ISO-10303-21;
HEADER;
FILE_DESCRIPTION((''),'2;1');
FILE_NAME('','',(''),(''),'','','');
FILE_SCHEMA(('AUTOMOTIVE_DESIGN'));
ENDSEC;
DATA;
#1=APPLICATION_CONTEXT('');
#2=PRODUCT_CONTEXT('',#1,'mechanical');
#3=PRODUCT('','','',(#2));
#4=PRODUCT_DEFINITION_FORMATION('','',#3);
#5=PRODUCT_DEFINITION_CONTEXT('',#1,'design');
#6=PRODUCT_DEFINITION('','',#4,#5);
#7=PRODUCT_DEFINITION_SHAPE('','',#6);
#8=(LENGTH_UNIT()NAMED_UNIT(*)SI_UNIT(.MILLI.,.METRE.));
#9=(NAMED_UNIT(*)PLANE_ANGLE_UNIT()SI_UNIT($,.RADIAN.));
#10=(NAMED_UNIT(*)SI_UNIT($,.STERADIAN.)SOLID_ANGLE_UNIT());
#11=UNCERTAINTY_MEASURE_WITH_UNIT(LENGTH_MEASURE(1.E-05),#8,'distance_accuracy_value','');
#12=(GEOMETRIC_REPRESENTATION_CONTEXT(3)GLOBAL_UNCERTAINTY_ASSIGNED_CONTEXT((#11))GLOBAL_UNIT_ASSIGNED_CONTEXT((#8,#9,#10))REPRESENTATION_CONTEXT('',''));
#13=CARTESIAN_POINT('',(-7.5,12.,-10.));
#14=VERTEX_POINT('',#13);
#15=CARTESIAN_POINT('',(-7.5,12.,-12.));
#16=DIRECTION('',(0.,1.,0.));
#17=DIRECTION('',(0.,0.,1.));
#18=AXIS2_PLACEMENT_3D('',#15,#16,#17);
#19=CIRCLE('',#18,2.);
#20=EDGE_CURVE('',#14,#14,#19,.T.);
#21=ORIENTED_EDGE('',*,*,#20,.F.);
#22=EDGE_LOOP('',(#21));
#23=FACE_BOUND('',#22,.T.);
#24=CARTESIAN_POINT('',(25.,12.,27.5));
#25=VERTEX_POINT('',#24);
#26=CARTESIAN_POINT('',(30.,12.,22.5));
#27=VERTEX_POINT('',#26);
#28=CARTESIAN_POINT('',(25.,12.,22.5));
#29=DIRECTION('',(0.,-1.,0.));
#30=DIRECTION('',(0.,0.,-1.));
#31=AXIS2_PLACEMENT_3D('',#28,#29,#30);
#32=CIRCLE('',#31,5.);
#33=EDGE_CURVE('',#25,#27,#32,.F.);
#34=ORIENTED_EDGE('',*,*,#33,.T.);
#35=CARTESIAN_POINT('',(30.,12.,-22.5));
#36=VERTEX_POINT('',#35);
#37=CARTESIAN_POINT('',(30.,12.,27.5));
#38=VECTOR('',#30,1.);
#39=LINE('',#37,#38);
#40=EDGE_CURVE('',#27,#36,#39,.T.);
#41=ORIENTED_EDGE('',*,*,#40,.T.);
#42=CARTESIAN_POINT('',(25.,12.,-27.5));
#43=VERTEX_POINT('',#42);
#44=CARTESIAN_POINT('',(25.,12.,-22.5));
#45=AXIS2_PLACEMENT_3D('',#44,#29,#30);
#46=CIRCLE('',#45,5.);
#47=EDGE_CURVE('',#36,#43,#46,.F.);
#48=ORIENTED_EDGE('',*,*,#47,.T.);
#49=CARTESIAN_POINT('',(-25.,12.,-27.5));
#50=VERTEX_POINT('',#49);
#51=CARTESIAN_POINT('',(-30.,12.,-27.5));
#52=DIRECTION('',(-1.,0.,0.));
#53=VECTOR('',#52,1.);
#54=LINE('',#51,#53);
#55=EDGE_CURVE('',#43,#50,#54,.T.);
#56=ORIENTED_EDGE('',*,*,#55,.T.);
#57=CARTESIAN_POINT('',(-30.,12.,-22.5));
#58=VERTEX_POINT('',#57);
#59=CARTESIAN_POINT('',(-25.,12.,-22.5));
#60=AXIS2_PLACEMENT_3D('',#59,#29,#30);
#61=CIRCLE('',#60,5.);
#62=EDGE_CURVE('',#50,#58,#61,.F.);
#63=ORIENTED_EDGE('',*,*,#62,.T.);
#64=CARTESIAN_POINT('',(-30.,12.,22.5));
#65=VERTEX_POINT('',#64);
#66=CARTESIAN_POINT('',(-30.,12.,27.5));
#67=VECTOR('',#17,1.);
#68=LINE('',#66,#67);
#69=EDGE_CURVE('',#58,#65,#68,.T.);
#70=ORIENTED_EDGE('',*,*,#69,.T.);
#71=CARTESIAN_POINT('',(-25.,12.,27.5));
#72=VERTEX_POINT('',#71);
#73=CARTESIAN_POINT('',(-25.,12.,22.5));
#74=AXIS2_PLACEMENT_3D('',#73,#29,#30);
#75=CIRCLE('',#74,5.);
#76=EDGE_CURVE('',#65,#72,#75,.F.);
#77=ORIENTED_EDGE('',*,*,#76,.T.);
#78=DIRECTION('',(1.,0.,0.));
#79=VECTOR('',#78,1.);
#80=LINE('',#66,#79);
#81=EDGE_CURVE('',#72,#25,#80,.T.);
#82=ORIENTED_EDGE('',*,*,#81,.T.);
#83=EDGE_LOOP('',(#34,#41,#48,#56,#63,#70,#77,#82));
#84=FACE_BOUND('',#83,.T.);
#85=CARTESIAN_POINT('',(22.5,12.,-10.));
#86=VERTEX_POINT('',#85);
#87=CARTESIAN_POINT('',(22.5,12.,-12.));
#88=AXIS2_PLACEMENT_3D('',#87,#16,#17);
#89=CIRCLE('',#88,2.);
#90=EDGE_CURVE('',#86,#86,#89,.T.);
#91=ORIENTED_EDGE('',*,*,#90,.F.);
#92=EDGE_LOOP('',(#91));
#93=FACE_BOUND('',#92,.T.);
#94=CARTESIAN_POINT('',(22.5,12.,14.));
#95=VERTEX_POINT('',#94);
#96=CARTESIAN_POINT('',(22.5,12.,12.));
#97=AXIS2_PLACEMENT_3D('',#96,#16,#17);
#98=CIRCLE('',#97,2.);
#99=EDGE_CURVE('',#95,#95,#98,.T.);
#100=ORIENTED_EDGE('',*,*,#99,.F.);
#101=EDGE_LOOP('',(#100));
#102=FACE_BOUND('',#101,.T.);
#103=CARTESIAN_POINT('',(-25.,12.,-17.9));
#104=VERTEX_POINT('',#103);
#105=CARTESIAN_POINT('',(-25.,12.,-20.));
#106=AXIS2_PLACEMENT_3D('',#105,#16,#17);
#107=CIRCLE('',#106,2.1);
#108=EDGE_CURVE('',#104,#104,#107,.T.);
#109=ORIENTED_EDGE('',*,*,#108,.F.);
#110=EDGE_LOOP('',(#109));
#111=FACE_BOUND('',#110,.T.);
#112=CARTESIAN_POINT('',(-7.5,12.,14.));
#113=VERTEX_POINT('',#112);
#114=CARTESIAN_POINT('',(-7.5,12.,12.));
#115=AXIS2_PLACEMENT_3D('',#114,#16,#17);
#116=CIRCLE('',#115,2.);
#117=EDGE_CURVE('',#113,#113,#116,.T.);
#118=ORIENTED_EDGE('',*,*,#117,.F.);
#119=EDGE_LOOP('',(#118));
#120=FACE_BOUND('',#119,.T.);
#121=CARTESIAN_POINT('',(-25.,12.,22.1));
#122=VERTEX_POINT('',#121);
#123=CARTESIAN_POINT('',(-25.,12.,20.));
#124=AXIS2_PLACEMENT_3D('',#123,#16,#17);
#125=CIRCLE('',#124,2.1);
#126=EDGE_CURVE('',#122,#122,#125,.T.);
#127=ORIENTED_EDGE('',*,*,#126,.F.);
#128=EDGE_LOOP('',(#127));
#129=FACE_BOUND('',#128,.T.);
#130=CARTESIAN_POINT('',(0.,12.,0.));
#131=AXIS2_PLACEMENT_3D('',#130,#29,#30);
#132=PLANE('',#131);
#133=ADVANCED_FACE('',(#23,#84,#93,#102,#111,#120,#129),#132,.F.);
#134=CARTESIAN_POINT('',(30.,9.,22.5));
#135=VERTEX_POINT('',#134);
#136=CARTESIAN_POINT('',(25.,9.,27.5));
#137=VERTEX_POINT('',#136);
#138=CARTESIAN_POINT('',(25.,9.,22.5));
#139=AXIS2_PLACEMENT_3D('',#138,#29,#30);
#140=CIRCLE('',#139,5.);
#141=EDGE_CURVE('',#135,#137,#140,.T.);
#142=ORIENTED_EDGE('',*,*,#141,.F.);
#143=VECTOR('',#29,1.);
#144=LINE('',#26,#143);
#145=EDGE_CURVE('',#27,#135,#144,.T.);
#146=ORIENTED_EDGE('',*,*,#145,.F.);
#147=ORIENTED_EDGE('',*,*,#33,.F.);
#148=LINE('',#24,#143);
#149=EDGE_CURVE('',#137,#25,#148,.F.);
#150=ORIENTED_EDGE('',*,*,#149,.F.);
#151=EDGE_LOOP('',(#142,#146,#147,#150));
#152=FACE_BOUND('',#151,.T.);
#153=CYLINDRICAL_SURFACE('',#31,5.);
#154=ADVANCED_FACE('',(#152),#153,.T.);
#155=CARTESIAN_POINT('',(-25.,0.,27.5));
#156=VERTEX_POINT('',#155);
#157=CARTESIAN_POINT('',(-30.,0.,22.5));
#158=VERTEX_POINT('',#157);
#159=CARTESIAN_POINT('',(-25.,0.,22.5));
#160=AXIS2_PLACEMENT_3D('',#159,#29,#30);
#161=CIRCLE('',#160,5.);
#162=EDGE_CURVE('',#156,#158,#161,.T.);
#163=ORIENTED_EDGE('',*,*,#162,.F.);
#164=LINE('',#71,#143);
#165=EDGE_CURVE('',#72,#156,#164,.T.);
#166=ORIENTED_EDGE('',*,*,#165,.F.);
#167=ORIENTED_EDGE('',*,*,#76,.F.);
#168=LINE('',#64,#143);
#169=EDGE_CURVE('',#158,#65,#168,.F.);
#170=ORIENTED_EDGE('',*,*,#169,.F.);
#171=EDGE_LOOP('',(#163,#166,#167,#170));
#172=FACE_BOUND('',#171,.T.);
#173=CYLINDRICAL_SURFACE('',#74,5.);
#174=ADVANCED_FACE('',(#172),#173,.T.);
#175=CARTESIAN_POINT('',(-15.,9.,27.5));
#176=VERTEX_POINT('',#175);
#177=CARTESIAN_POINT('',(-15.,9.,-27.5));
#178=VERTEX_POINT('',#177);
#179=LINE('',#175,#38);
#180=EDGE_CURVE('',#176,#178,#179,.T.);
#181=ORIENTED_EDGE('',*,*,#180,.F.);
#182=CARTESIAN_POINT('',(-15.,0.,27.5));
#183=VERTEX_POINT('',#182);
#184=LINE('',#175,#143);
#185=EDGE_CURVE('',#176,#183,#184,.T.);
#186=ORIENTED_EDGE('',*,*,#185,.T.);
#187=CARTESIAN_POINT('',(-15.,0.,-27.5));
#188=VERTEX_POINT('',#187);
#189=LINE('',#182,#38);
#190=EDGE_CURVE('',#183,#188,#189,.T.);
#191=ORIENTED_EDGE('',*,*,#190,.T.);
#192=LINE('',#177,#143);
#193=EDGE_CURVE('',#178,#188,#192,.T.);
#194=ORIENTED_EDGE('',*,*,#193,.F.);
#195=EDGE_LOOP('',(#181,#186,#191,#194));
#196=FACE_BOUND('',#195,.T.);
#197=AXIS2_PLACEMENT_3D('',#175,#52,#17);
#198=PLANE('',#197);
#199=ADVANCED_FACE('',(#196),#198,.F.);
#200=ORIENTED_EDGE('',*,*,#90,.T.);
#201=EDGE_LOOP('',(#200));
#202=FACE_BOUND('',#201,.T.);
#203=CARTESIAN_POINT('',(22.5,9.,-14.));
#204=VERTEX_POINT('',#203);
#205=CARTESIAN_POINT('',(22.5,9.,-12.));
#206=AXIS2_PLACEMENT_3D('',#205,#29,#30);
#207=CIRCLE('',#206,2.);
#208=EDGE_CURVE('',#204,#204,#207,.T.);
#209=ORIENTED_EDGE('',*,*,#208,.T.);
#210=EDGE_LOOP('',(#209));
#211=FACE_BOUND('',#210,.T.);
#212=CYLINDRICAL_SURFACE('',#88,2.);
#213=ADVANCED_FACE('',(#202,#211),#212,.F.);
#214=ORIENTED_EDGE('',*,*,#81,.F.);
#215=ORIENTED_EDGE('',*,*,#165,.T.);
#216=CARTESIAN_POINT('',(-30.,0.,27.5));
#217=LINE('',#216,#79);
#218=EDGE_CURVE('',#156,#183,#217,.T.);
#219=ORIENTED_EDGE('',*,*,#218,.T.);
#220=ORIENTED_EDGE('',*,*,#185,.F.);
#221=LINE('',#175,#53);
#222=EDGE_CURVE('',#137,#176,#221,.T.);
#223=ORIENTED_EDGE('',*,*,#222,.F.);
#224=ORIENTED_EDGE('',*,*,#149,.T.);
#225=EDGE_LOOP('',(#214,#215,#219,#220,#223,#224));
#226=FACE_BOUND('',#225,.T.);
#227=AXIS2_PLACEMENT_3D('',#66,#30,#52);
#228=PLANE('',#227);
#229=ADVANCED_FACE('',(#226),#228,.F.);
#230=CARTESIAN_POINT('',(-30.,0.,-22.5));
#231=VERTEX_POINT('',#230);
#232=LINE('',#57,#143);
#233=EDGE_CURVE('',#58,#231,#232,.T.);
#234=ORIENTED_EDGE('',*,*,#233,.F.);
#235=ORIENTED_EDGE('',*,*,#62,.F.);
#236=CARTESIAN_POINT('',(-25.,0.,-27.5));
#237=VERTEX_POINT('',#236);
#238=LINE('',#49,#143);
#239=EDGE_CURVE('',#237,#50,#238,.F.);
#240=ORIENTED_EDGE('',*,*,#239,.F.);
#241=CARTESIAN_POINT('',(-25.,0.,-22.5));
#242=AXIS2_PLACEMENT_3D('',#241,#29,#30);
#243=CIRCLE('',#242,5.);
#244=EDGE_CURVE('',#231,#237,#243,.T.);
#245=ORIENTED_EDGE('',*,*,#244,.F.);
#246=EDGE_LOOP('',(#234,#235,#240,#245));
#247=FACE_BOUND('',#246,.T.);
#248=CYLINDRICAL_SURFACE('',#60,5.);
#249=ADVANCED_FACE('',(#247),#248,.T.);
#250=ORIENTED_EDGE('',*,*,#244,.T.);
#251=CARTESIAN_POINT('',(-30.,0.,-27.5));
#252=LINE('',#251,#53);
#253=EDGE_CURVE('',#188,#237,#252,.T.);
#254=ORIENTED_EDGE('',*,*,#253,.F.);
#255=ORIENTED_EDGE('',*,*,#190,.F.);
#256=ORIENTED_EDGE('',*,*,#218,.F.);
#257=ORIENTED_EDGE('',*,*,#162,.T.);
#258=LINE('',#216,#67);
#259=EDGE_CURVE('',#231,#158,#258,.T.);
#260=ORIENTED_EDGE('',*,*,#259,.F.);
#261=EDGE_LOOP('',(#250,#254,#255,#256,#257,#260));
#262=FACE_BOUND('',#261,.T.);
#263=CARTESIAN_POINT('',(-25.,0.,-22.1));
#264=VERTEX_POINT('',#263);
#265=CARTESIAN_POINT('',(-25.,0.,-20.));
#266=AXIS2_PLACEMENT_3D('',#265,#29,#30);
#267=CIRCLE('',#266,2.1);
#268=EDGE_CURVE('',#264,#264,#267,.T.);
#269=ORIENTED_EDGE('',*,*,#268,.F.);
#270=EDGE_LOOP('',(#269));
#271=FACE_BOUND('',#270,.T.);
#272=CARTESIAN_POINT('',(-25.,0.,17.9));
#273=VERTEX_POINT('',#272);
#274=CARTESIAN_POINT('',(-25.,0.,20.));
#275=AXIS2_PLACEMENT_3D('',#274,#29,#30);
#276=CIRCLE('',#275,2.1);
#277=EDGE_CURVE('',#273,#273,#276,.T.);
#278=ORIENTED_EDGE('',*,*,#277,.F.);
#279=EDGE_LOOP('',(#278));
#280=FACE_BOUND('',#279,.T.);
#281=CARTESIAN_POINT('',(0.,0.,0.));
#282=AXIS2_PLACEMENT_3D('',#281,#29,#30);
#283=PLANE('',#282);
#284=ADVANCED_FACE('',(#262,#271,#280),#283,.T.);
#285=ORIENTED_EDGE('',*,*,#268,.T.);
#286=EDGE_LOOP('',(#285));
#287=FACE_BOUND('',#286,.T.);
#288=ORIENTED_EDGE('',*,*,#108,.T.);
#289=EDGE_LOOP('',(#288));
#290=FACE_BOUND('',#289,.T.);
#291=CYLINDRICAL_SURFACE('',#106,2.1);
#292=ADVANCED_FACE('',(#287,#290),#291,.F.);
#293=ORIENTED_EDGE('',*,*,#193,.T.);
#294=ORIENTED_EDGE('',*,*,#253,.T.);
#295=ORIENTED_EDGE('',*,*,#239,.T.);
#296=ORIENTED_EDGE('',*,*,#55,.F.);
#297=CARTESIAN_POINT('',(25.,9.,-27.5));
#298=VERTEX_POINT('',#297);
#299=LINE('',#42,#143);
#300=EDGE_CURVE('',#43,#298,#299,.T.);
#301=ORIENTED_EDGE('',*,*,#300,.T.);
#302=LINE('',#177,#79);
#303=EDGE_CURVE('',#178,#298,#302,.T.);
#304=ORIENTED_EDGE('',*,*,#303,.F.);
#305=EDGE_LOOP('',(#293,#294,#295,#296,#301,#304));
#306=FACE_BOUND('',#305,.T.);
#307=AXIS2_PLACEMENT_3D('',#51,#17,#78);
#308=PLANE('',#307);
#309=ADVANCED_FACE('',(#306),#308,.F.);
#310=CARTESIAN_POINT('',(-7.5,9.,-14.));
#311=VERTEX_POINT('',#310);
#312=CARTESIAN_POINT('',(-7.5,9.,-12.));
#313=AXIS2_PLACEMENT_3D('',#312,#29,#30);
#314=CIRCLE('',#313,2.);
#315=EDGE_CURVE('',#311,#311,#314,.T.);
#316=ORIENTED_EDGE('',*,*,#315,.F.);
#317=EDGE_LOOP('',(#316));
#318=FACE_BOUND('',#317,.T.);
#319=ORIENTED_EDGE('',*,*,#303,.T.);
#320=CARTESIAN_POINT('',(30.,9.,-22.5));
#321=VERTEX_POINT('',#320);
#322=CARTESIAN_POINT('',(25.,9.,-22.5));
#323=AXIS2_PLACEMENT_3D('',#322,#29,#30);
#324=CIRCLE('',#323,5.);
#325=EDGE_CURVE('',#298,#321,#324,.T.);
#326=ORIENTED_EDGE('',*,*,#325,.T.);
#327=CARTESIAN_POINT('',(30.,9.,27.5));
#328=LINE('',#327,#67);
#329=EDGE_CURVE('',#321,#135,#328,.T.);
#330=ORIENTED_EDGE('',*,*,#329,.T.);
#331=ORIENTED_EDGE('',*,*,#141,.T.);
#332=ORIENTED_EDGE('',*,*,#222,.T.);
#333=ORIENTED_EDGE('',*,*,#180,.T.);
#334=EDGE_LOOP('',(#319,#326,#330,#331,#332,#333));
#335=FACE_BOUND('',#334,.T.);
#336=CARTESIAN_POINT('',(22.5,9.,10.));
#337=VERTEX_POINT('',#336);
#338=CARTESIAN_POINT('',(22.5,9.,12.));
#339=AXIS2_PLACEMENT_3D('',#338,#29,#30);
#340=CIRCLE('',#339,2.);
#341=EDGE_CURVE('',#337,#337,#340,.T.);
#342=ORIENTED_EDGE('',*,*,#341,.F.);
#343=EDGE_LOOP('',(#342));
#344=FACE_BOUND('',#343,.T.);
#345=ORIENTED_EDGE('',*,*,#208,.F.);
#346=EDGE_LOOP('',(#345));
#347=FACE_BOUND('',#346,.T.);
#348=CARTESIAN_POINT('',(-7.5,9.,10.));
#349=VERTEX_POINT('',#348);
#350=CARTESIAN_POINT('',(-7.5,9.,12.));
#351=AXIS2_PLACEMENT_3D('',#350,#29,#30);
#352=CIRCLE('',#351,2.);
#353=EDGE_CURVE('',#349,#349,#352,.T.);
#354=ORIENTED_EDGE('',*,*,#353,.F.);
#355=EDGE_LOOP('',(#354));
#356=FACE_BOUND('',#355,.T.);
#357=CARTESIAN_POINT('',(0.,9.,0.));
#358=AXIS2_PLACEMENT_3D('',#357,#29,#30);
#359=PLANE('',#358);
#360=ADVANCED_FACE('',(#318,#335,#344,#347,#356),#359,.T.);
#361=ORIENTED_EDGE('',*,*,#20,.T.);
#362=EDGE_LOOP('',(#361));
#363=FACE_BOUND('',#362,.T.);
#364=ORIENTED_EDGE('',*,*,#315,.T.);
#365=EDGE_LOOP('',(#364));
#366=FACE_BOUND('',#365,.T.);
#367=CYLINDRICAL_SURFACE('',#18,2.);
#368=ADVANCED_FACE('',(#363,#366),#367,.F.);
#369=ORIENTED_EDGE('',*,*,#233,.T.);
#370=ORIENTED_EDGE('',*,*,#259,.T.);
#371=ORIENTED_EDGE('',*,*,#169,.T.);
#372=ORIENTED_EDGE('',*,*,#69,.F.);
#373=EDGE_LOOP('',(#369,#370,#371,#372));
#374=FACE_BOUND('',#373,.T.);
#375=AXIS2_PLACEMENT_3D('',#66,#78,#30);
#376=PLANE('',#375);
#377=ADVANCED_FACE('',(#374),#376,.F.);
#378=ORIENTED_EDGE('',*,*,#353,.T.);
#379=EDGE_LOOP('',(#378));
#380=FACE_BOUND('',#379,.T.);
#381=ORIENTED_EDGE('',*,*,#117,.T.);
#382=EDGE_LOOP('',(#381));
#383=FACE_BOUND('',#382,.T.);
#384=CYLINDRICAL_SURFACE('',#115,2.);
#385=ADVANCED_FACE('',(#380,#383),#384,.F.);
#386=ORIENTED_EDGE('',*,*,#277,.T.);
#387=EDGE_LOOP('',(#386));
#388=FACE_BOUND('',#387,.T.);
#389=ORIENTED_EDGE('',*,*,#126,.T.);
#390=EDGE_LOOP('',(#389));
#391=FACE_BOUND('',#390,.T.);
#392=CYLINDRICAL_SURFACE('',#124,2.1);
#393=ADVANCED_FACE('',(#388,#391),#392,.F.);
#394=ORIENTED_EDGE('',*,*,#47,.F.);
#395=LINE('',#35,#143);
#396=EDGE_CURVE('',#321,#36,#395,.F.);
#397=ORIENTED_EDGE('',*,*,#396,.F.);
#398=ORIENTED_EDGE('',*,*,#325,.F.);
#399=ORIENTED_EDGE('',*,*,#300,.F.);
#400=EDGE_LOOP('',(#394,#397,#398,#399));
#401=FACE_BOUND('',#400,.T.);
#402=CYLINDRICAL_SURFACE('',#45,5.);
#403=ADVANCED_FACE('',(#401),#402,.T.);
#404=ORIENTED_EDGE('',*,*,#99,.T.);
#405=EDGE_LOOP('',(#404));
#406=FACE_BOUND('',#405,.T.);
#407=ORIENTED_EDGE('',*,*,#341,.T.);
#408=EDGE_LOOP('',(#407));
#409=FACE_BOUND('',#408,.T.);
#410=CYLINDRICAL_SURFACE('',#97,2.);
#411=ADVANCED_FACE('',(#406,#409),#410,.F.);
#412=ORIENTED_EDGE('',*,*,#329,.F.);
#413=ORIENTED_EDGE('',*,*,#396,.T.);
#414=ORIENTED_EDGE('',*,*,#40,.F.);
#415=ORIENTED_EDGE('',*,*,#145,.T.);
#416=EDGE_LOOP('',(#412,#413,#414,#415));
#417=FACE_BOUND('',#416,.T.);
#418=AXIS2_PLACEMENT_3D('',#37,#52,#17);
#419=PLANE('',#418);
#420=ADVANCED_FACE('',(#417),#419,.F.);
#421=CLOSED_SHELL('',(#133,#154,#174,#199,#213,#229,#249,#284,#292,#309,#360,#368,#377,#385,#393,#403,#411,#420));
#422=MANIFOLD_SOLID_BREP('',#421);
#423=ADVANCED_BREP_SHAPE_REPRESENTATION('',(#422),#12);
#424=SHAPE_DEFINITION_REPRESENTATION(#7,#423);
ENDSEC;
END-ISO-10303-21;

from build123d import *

# Parameters (mm, degrees)
SKETCH1_W                 = 60
SKETCH1_H                 = 55
BOSS_EXTRUDE1_DEPTH       = 12
SKETCH2_W                 = 45
SKETCH2_H                 = 55
CUT_EXTRUDE2_DEPTH        = 9
M5_TAPPED_HOLE1_D         = 4.2
M5_TAPPED_HOLE1_DEPTH     = 12.4
M5_TAPPED_HOLE1_TIP       = 1.2618073
FILLET1_R                 = 5
F_4_0MM_DOWEL_HOLE2_D     = 4
F_4_0MM_DOWEL_HOLE2_DEPTH = 12.4
F_4_0MM_DOWEL_HOLE2_TIP   = 1.201721238


with BuildPart() as part:
    # Sketch1 → Boss-Extrude1 (new body)
    with BuildSketch(Plane(origin=(0, 0, 0), x_dir=(1, 0, 0), z_dir=(0, 1, 0))):
        Rectangle(SKETCH1_W, SKETCH1_H)
    extrude(amount=BOSS_EXTRUDE1_DEPTH)

    # Sketch2 → Cut-Extrude2 (cut)
    with BuildSketch(Plane.XZ):
        with Locations((7.5, 0)):
            Rectangle(SKETCH2_W, SKETCH2_H)
    extrude(amount=-CUT_EXTRUDE2_DEPTH, mode=Mode.SUBTRACT)

    # M5 Tapped Hole1
    with Locations(Plane(origin=(-25, 12, -20), x_dir=(0, 0, 1), z_dir=(0, 1, 0))):
        with Locations((0, 0), (40, 0)):
            Hole(M5_TAPPED_HOLE1_D / 2, depth=M5_TAPPED_HOLE1_DEPTH)
            with Locations((0, 0, -(M5_TAPPED_HOLE1_DEPTH + M5_TAPPED_HOLE1_TIP / 2))):  # 118° drill point
                Cone(0, M5_TAPPED_HOLE1_D / 2, M5_TAPPED_HOLE1_TIP, mode=Mode.SUBTRACT)

    # Fillet1
    fillet1_edges = [part.edges().sort_by_distance(p)[0] for p in [
        (30, 10.5, 27.5),
        (-30, 6, 27.5),
        (-30, 6, -27.5),
        (30, 10.5, -27.5),
    ]]
    fillet(fillet1_edges, radius=FILLET1_R)

    # Ø4.0mm Dowel Hole2
    with Locations(Plane(origin=(-7.5, 12, -12), x_dir=(0, 0, 1), z_dir=(0, 1, 0))):
        with Locations((0, 0), (24, 0), (24, 30), (0, 30)):
            Hole(F_4_0MM_DOWEL_HOLE2_D / 2, depth=F_4_0MM_DOWEL_HOLE2_DEPTH)
            with Locations((0, 0, -(F_4_0MM_DOWEL_HOLE2_DEPTH + F_4_0MM_DOWEL_HOLE2_TIP / 2))):  # 118° drill point
                Cone(0, F_4_0MM_DOWEL_HOLE2_D / 2, F_4_0MM_DOWEL_HOLE2_TIP, mode=Mode.SUBTRACT)


solid = part.part
